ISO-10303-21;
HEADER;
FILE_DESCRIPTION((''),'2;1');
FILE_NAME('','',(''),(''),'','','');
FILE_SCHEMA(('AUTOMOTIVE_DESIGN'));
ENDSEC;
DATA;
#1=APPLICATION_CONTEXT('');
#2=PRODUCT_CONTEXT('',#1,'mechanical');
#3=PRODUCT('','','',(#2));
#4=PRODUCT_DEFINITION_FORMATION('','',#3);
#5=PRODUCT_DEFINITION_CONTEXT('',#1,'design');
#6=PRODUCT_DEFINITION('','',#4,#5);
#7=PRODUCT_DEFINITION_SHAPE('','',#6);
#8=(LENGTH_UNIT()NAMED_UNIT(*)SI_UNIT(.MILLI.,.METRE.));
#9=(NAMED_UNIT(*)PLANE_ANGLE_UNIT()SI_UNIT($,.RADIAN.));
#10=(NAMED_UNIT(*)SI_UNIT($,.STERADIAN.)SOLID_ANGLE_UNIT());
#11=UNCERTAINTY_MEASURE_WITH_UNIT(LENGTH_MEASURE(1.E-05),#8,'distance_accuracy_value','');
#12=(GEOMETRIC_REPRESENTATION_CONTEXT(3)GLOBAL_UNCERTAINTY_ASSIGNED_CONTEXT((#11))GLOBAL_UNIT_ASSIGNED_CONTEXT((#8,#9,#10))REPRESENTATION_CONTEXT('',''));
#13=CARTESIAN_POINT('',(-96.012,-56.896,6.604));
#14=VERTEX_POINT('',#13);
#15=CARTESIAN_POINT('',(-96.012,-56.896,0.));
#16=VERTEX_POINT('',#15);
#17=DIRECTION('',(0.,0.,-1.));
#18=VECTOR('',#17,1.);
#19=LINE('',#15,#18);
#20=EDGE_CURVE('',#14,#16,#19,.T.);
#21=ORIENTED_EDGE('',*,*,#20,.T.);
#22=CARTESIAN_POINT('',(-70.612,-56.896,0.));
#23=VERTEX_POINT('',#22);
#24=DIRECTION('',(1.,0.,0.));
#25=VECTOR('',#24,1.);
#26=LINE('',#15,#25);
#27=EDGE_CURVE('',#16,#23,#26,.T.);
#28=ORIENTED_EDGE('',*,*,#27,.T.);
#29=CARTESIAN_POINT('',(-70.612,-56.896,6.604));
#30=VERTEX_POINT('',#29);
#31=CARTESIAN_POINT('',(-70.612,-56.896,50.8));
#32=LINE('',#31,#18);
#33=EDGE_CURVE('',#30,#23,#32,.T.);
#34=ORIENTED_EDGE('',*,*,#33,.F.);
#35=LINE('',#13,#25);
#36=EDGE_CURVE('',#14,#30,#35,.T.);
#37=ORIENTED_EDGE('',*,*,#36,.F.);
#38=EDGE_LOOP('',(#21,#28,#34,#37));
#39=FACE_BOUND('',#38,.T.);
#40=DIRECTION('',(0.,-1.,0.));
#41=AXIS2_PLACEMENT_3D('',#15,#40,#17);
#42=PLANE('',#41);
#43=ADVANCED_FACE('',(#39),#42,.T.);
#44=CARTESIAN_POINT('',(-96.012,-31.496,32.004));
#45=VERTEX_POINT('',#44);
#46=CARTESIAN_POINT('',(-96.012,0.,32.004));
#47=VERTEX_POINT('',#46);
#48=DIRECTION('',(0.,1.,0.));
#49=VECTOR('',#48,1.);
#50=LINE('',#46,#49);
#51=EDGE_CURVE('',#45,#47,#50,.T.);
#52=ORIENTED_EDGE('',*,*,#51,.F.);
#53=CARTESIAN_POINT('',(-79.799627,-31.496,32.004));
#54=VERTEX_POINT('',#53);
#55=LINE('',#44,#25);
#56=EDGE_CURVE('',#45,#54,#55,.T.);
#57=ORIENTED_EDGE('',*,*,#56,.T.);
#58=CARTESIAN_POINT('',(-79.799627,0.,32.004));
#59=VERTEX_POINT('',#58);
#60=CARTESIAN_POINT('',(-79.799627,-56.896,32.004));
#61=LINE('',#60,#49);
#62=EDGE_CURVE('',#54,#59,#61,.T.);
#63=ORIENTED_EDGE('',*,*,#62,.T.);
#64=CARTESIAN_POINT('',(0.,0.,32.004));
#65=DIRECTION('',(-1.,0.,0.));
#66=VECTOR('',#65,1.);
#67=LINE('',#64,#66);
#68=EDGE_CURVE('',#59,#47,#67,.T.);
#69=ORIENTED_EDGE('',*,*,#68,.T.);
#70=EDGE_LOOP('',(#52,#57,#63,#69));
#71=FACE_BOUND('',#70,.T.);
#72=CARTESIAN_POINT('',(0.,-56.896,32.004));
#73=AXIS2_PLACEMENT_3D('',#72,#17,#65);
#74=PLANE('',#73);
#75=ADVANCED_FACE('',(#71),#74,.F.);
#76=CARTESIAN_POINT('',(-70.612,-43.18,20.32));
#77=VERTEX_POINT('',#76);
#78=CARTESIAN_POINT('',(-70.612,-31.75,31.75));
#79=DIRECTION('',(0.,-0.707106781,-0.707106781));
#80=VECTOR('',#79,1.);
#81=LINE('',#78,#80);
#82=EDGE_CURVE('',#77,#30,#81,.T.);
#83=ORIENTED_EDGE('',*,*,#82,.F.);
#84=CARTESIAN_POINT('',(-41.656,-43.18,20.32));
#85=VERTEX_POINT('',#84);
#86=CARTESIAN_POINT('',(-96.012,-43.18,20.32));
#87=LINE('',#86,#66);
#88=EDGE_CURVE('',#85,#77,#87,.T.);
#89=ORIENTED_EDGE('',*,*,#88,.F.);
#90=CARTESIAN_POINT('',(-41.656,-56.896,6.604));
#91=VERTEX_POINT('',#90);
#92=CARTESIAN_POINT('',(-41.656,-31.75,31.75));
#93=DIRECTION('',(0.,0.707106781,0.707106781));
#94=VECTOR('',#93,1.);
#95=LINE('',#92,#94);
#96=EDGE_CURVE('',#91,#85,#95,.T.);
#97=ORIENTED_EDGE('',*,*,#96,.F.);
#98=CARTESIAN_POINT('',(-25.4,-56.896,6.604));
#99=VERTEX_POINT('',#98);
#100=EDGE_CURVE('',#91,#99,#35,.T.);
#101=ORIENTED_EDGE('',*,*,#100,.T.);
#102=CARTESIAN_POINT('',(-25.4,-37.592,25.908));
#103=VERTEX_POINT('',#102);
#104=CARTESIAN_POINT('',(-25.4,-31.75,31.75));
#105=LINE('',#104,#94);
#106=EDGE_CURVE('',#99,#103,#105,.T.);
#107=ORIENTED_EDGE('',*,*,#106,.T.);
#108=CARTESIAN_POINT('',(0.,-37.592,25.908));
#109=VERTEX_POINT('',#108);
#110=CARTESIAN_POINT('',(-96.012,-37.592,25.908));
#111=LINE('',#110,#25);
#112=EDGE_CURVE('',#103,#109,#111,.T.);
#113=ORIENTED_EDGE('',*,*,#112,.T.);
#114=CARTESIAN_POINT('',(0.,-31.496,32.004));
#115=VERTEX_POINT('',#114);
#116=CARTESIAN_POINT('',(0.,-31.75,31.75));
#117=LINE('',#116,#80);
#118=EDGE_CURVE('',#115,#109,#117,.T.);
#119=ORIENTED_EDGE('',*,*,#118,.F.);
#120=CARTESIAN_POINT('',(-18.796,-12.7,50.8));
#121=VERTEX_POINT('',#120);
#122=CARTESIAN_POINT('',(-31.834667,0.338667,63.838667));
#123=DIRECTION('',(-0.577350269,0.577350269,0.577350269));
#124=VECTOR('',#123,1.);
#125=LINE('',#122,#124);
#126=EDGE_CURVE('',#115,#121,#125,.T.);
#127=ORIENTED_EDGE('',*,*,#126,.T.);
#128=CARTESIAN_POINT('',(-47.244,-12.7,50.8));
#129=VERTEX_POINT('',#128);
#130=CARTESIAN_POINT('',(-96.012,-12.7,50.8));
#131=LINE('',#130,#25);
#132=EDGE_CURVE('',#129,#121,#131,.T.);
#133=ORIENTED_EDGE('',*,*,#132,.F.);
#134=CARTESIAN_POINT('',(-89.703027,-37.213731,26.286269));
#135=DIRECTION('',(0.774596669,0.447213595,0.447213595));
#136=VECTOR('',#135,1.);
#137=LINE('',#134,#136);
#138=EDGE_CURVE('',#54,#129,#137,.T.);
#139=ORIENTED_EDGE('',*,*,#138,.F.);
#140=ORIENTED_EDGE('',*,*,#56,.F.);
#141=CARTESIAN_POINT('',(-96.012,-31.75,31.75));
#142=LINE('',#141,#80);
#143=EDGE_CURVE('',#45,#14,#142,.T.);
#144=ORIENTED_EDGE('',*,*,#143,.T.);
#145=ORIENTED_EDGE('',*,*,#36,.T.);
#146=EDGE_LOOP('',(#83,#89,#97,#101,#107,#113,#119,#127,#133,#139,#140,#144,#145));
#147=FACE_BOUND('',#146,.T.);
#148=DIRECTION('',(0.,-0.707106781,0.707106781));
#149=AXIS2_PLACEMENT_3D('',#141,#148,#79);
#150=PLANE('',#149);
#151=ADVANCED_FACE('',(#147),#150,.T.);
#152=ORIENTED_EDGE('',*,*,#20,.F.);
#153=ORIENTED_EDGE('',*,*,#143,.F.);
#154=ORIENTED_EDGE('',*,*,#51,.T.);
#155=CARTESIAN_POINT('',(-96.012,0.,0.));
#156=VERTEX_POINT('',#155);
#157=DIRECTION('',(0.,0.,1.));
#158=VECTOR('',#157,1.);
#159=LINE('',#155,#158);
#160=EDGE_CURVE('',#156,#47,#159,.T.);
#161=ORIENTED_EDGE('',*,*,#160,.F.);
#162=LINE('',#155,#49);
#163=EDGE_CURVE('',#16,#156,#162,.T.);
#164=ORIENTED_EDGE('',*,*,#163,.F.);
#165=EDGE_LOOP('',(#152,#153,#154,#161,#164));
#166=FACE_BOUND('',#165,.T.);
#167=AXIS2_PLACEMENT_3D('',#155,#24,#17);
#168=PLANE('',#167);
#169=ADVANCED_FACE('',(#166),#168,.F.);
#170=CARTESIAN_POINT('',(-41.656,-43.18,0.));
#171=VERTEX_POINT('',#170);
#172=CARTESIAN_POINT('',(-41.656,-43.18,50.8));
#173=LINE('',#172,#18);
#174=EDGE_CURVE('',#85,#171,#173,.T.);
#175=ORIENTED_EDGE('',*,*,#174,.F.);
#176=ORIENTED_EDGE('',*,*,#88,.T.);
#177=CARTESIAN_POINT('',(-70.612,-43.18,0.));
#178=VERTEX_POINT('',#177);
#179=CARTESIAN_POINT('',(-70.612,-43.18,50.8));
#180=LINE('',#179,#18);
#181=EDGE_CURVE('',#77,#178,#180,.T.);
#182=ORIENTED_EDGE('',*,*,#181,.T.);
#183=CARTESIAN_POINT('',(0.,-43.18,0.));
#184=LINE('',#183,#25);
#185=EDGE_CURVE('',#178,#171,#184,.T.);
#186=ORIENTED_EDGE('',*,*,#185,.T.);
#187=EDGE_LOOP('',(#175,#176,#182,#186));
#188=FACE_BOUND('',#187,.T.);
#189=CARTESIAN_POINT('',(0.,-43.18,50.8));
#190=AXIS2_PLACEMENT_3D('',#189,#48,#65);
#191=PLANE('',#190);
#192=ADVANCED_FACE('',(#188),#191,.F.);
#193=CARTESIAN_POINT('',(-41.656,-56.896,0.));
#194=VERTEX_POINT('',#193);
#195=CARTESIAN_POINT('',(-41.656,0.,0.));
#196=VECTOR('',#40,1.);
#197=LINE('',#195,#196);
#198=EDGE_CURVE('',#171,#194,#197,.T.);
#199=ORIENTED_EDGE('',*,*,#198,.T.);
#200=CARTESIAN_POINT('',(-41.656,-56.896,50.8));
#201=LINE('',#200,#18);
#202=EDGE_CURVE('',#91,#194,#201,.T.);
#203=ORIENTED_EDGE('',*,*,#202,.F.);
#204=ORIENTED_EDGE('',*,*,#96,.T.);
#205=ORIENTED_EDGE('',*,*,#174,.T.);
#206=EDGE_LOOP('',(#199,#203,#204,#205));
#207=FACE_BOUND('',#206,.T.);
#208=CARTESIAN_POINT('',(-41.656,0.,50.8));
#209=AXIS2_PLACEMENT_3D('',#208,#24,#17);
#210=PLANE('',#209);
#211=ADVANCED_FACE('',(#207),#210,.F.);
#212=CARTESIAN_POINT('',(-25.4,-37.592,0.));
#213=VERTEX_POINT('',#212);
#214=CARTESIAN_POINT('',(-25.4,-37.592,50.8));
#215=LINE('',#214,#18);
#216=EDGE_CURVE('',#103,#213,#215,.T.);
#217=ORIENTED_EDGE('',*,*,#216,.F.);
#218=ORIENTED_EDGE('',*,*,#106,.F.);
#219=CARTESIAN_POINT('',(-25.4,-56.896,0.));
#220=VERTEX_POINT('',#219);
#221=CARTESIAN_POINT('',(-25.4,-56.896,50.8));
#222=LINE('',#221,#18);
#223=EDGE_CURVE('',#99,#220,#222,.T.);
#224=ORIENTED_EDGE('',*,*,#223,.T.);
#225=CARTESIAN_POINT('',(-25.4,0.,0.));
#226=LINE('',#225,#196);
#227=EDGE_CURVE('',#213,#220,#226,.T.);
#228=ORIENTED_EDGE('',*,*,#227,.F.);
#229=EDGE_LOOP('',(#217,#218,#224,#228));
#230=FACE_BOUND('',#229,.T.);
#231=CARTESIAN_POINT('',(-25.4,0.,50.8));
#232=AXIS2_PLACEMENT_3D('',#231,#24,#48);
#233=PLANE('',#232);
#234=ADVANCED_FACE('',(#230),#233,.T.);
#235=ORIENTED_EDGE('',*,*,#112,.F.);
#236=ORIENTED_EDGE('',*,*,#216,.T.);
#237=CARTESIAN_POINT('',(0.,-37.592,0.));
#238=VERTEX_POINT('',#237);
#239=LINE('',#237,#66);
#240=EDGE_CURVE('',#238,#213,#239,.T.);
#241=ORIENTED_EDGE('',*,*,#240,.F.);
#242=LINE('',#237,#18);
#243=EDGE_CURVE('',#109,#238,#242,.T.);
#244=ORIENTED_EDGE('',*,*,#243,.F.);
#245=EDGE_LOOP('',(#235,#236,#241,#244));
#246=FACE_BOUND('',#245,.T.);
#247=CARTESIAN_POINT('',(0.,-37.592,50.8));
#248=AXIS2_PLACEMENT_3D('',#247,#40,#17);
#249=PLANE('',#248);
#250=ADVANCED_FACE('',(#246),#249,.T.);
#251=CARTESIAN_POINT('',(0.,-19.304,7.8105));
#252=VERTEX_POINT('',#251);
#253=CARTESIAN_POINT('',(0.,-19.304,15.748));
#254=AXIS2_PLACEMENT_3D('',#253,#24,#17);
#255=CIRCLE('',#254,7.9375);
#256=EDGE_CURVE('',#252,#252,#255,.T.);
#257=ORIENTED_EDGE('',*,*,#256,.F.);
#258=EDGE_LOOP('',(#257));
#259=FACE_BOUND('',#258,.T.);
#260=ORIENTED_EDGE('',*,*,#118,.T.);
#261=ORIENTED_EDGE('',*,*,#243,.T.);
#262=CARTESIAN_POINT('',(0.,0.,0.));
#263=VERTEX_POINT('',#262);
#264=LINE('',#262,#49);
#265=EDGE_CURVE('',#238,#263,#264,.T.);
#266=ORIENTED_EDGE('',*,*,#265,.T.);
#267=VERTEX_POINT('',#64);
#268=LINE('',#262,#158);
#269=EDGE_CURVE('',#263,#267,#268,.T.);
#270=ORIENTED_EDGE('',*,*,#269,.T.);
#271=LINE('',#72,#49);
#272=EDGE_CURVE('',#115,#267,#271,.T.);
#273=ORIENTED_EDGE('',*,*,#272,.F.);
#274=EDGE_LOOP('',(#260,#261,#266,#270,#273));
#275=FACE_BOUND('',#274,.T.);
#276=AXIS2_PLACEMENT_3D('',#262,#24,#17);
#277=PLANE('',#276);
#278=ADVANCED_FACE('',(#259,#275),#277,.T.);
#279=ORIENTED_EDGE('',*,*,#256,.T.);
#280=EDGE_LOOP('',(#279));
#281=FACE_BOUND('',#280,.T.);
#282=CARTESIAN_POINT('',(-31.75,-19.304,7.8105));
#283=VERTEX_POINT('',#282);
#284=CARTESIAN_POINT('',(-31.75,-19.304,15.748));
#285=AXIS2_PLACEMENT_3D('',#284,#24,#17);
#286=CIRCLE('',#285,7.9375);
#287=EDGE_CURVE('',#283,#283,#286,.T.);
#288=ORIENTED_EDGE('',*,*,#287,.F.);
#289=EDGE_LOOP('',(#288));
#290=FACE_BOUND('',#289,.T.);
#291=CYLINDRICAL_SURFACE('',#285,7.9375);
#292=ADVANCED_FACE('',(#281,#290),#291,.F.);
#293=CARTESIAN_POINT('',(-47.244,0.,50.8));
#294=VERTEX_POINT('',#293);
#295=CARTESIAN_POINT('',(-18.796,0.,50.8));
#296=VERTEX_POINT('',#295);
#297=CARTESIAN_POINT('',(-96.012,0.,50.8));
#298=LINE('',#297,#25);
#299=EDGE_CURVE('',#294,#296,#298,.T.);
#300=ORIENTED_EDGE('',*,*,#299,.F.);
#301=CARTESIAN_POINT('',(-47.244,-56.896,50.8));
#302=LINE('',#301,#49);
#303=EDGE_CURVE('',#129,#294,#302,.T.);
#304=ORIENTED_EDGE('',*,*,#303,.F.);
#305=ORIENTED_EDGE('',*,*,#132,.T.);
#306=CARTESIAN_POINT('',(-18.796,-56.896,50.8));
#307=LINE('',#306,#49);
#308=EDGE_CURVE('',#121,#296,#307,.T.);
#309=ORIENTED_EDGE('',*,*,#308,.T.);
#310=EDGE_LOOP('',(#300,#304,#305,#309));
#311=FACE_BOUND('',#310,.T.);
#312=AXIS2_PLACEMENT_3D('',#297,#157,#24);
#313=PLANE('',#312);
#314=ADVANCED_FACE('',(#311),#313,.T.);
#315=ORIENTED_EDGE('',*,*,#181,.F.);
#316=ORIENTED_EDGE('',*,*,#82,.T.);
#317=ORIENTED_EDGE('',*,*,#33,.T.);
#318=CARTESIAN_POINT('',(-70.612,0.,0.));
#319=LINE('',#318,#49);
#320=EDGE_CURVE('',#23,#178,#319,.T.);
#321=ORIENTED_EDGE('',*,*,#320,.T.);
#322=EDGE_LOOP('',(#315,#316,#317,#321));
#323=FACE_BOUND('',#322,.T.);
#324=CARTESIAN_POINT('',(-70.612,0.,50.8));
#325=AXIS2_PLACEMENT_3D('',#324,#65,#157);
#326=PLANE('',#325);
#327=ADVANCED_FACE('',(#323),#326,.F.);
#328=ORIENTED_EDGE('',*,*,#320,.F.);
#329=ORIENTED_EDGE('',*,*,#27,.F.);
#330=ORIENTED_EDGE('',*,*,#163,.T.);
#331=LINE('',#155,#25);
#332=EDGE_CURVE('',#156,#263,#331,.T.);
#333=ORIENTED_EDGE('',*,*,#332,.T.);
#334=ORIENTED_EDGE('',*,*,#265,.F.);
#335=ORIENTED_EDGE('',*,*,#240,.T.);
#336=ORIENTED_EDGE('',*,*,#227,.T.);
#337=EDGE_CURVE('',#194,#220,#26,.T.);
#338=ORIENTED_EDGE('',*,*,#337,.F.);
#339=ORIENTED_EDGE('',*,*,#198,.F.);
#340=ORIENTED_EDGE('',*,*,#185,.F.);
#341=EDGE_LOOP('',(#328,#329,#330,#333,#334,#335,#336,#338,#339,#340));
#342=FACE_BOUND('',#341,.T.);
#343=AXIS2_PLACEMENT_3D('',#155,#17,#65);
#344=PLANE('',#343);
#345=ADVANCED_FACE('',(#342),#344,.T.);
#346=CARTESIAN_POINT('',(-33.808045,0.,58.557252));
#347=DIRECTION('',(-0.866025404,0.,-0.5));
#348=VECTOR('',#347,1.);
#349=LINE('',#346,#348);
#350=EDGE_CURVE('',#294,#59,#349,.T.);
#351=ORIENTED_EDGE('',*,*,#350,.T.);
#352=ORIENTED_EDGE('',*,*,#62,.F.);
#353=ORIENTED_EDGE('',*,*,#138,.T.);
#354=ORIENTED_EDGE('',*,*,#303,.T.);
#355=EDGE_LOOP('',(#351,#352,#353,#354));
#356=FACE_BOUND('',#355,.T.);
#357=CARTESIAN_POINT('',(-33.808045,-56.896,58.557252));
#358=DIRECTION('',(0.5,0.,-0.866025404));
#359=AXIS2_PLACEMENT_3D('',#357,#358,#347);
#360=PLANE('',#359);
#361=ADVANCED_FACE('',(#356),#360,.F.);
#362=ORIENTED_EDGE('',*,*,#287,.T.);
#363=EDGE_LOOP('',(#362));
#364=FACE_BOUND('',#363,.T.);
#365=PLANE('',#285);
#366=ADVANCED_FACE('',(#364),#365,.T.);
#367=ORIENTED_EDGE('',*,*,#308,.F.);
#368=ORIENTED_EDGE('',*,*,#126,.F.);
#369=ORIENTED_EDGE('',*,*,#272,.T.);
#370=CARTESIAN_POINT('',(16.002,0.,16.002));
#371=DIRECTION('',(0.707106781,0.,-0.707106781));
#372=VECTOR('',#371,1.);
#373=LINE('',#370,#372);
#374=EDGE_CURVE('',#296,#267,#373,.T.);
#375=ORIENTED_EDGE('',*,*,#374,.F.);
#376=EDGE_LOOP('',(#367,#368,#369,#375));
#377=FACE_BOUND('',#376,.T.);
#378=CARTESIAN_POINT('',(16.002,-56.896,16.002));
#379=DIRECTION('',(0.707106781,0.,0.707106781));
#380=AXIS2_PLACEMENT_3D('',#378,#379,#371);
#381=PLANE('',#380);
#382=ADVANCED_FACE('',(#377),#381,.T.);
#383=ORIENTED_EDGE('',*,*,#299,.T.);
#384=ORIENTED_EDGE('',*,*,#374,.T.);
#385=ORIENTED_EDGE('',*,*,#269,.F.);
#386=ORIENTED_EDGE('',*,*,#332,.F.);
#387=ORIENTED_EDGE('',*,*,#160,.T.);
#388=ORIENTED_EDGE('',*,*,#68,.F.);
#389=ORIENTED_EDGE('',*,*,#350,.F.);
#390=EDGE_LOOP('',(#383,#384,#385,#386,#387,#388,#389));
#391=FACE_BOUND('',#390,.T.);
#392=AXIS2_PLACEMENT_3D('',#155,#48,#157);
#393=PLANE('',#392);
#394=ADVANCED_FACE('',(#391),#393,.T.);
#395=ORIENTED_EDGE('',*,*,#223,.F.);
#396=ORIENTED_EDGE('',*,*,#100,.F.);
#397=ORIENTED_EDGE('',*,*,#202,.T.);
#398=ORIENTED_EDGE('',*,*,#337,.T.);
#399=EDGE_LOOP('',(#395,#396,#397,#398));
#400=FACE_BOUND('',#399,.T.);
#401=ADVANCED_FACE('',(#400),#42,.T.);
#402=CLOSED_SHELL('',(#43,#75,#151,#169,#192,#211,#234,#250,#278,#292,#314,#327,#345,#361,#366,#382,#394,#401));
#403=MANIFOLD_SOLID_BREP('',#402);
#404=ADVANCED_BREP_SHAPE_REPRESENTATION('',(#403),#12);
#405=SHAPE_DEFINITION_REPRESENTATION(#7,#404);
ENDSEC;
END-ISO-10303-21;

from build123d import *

# Parameters (mm, degrees)
BOSS_EXTRUDE1_DEPTH = 96.012
SKETCH1_3_R         = 7.9375
CUT_EXTRUDE1_DEPTH  = 31.75
SKETCH3_W           = 28.956
SKETCH3_H           = 13.716
SKETCH3_W_2         = 25.4
SKETCH3_H_2         = 19.304
CUT_EXTRUDE2_DEPTH  = 123.621771966
CUT_EXTRUDE3_DEPTH  = 123.621771966


with BuildPart() as part:
    # Sketch1 → Boss-Extrude1 (new body)
    with BuildSketch(Plane.YZ):
        Polygon((-56.896, 0), (0, 0), (0, 50.8), (-12.7, 50.8), (-56.896, 6.604), align=None)
    extrude(amount=-BOSS_EXTRUDE1_DEPTH)

    # Sketch1<3> → Cut-Extrude1 (cut)
    with BuildSketch(Plane.YZ):
        with Locations((-19.304, 15.748)):
            Circle(SKETCH1_3_R)
    extrude(amount=-CUT_EXTRUDE1_DEPTH, mode=Mode.SUBTRACT)

    # Sketch3 → Cut-Extrude2 (cut, through all)
    with BuildSketch(Plane(origin=(0, 0, 0), x_dir=(1, 0, 0), z_dir=(0, 0, -1))):
        with Locations((-56.134, 50.038)):
            Rectangle(SKETCH3_W, SKETCH3_H)
        with Locations((-12.7, 47.244)):
            Rectangle(SKETCH3_W_2, SKETCH3_H_2)
    extrude(amount=-CUT_EXTRUDE2_DEPTH, mode=Mode.SUBTRACT)

    # Sketch4 → Cut-Extrude3 (cut, through all)
    with BuildSketch(Plane(origin=(0, 0, 0), x_dir=(-1, 0, 0), z_dir=(0, 1, 0))):
        Polygon((96.012, 50.8), (47.244, 50.8), (79.799626979, 32.004), (96.012, 32.004), align=None)
        Polygon((0, 32.004), (18.796, 50.8), (0, 50.8), align=None)
    extrude(amount=-CUT_EXTRUDE3_DEPTH, mode=Mode.SUBTRACT)


solid = part.part
